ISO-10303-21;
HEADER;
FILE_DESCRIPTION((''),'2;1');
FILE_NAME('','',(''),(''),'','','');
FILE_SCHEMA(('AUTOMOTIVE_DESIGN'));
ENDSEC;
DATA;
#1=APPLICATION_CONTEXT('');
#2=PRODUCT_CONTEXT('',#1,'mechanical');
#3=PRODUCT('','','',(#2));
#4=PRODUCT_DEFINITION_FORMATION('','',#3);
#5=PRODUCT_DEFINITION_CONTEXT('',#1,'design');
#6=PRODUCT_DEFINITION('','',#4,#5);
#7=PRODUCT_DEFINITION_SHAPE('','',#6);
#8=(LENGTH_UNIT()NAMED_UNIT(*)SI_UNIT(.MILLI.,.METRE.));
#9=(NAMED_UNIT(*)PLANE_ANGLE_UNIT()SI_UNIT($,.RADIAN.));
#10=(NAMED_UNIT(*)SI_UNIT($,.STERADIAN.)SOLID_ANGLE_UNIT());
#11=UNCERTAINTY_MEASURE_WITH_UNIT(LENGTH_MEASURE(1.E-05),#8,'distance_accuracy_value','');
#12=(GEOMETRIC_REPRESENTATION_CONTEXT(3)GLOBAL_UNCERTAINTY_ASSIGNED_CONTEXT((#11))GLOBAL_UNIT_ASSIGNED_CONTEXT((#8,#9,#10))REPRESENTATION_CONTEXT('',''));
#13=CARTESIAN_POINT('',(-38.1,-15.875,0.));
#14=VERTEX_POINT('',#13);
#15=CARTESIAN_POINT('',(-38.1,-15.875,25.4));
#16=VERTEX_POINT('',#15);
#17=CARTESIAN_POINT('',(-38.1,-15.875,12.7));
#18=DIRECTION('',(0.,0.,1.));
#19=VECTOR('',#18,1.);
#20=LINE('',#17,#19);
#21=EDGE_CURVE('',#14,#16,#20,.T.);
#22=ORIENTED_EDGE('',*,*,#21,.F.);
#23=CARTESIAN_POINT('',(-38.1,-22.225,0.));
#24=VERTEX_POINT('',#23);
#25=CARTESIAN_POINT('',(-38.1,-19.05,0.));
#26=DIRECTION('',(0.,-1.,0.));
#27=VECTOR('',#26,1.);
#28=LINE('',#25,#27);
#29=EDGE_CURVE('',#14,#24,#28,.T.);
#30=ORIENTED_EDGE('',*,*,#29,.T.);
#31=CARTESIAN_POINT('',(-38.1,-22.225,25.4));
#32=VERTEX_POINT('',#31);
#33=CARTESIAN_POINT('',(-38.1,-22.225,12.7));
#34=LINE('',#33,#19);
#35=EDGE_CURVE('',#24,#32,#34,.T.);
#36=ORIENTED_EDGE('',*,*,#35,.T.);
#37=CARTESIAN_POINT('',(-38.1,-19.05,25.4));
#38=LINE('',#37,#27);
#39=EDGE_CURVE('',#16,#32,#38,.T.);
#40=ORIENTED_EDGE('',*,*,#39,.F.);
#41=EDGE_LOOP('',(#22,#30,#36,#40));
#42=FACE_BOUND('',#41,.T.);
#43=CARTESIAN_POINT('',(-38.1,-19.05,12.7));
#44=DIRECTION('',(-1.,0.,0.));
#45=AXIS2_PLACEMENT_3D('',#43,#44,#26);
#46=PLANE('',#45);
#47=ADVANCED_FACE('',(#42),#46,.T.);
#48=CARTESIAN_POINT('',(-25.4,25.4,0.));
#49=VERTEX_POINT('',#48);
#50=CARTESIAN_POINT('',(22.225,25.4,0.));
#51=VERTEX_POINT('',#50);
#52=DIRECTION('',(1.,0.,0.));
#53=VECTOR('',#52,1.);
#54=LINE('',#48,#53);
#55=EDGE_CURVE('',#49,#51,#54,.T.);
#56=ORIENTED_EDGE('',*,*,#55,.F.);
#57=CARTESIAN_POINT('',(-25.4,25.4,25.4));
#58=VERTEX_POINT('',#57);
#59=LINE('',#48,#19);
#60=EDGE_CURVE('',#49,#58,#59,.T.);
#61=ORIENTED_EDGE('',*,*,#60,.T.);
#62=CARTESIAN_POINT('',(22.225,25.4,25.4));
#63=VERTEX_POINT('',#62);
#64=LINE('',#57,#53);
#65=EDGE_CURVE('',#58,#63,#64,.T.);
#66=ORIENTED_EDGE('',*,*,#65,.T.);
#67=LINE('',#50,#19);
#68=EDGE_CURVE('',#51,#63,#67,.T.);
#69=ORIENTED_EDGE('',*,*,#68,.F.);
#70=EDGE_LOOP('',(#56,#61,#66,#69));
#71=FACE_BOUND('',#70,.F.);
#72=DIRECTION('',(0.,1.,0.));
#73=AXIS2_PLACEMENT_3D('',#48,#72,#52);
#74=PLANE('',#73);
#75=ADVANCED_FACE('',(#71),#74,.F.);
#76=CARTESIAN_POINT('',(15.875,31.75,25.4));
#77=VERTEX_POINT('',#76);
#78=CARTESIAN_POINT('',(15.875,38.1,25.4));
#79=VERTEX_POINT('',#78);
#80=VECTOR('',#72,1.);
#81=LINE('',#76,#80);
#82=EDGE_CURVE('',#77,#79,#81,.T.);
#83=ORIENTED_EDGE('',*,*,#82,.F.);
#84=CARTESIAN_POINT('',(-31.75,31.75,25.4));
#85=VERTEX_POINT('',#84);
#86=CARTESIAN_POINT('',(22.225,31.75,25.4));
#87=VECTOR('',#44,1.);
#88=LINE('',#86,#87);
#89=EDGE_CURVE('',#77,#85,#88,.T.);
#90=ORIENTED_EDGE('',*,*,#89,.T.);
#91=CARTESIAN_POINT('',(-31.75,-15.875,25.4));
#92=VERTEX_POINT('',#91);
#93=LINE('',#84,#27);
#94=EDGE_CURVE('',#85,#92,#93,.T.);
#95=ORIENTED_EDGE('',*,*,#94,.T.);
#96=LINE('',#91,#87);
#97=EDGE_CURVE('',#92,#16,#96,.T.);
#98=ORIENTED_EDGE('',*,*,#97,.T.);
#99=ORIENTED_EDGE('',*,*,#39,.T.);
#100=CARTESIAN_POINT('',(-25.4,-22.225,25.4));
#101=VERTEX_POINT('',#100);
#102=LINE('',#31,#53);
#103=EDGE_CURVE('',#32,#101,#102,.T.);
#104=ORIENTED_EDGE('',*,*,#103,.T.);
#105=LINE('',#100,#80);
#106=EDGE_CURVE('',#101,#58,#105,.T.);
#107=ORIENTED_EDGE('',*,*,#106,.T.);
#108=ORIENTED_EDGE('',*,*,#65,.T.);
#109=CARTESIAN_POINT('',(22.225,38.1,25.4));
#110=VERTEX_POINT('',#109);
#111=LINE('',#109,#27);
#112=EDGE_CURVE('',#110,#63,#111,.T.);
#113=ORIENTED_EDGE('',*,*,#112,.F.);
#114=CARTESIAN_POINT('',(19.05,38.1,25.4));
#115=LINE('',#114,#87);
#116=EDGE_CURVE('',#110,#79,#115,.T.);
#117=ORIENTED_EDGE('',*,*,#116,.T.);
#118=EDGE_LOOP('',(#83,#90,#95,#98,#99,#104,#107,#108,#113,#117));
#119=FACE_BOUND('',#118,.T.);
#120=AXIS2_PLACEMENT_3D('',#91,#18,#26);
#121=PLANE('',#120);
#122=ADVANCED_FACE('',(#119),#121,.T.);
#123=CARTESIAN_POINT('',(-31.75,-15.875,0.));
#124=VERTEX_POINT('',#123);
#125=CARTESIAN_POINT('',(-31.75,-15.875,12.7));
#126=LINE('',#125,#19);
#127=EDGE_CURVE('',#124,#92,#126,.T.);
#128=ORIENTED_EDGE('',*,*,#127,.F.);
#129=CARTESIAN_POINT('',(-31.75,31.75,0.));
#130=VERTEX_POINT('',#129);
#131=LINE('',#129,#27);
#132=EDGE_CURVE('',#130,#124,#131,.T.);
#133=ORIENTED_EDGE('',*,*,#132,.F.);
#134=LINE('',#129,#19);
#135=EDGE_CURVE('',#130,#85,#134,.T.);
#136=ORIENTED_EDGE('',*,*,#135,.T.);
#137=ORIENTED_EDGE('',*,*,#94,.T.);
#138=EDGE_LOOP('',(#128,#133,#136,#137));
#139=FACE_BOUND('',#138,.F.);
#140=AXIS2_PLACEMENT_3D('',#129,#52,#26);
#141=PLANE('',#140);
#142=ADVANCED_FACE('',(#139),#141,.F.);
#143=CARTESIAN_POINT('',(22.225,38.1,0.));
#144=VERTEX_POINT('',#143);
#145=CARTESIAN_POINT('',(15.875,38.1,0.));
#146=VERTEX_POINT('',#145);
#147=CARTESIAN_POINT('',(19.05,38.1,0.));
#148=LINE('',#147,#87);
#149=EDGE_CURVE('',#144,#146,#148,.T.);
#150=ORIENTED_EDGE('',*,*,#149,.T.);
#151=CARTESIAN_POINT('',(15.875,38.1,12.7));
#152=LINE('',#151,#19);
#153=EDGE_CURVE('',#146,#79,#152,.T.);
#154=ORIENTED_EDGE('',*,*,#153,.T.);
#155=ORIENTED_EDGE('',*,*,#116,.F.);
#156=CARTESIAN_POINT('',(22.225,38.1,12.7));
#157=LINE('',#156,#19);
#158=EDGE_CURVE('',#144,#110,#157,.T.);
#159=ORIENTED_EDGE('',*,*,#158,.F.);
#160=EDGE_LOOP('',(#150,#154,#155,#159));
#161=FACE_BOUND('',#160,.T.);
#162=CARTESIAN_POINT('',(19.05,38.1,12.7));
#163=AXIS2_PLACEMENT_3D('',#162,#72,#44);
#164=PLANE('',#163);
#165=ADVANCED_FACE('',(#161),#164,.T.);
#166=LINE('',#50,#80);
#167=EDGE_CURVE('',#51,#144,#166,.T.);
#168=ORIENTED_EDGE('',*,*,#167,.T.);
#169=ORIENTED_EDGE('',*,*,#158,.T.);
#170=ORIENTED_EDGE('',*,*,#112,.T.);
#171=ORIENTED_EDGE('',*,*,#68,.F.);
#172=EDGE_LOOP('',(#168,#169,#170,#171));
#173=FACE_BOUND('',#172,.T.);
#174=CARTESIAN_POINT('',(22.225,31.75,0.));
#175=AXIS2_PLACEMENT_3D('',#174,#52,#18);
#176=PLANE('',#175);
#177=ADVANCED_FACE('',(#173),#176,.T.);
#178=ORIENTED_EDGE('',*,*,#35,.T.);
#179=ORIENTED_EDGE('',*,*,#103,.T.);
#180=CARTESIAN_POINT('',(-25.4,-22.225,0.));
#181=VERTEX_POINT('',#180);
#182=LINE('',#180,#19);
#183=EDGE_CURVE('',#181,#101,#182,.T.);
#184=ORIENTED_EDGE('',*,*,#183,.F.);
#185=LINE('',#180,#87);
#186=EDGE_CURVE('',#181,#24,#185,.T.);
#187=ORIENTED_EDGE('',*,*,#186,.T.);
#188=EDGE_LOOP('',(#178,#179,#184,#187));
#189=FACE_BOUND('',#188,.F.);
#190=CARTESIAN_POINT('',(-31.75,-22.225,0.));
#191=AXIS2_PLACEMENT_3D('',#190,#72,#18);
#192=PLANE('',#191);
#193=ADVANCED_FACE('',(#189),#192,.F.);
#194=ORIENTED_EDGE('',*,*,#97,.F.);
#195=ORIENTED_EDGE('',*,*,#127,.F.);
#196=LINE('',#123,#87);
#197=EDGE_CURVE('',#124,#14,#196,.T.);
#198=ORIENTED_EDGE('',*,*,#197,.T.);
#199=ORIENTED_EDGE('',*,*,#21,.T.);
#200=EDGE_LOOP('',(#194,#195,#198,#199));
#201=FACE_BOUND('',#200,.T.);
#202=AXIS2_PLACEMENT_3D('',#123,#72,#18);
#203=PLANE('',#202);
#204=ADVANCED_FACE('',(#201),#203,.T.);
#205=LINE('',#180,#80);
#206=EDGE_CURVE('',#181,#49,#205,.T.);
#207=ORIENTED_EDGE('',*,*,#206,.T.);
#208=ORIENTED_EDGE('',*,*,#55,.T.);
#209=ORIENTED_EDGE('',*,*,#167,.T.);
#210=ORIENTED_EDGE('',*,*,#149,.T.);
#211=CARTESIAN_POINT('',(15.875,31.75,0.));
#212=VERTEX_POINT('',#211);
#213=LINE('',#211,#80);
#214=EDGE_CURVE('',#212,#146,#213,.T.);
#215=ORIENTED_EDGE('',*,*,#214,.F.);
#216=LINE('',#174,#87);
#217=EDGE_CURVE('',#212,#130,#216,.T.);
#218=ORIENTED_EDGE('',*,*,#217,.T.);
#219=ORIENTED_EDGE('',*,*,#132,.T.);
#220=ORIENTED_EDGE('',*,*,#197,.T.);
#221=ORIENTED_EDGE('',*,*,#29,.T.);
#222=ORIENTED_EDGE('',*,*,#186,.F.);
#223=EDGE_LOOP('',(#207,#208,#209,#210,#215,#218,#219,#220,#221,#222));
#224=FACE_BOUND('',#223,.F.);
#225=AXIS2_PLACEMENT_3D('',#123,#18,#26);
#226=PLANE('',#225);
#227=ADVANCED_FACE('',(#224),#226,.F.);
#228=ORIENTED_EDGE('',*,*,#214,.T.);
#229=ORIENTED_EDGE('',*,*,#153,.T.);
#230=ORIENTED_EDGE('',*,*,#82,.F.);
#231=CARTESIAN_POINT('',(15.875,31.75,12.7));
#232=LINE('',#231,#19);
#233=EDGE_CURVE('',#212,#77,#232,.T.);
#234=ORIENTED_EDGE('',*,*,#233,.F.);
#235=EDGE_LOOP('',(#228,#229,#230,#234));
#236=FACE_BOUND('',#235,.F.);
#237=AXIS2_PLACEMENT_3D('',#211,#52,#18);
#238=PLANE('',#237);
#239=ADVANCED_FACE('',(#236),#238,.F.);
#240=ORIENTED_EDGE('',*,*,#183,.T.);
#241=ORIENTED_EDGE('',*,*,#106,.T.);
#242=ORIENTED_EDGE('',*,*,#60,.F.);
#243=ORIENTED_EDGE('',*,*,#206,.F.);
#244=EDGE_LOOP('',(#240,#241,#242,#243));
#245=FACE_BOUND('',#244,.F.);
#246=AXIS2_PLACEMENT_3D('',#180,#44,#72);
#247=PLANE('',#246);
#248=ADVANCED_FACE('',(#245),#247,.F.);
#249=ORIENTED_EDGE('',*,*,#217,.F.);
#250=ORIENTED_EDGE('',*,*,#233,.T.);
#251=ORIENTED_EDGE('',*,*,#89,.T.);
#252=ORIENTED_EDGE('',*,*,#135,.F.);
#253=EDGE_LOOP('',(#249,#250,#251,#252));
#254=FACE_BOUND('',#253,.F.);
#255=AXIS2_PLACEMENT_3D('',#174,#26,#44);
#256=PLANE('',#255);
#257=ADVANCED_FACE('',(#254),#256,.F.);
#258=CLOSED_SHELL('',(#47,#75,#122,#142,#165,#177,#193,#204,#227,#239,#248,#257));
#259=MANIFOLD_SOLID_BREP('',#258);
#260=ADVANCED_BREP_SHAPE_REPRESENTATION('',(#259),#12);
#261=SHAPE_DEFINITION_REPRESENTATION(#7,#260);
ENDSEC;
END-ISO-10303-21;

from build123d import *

# Parameters (mm, degrees)
F1_DEPTH = 25.4
F3_W     = 6.35
F3_H     = 25.4
F4_DEPTH = 6.35
F2_W     = 6.35
F2_H     = 25.4
F5_DEPTH = 6.35


with BuildPart() as f1:
    # F0 (on Top) → F1 (new body)
    with BuildSketch(Plane.XY):
        Polygon((-31.75, -22.225), (-25.4, -22.225), (-25.4, 25.4), (22.225, 25.4), (22.225, 31.75), (-31.75, 31.75), align=None)
    extrude(amount=F1_DEPTH)

    # F3 (on face) → F4 (join)
    with BuildSketch(Plane(origin=(0, 31.75, 0), x_dir=(-1, 0, 0), z_dir=(0, 1, 0))):
        with Locations((-19.05, 12.7)):
            Rectangle(F3_W, F3_H)
    extrude(amount=F4_DEPTH)

    # F2 (on face) → F5 (join)
    with BuildSketch(Plane(origin=(-31.75, 0, 0), x_dir=(0, -1, 0), z_dir=(-1, 0, 0))):
        with Locations((19.05, 12.7)):
            Rectangle(F2_W, F2_H)
    extrude(amount=F5_DEPTH)


solid = f1.part
